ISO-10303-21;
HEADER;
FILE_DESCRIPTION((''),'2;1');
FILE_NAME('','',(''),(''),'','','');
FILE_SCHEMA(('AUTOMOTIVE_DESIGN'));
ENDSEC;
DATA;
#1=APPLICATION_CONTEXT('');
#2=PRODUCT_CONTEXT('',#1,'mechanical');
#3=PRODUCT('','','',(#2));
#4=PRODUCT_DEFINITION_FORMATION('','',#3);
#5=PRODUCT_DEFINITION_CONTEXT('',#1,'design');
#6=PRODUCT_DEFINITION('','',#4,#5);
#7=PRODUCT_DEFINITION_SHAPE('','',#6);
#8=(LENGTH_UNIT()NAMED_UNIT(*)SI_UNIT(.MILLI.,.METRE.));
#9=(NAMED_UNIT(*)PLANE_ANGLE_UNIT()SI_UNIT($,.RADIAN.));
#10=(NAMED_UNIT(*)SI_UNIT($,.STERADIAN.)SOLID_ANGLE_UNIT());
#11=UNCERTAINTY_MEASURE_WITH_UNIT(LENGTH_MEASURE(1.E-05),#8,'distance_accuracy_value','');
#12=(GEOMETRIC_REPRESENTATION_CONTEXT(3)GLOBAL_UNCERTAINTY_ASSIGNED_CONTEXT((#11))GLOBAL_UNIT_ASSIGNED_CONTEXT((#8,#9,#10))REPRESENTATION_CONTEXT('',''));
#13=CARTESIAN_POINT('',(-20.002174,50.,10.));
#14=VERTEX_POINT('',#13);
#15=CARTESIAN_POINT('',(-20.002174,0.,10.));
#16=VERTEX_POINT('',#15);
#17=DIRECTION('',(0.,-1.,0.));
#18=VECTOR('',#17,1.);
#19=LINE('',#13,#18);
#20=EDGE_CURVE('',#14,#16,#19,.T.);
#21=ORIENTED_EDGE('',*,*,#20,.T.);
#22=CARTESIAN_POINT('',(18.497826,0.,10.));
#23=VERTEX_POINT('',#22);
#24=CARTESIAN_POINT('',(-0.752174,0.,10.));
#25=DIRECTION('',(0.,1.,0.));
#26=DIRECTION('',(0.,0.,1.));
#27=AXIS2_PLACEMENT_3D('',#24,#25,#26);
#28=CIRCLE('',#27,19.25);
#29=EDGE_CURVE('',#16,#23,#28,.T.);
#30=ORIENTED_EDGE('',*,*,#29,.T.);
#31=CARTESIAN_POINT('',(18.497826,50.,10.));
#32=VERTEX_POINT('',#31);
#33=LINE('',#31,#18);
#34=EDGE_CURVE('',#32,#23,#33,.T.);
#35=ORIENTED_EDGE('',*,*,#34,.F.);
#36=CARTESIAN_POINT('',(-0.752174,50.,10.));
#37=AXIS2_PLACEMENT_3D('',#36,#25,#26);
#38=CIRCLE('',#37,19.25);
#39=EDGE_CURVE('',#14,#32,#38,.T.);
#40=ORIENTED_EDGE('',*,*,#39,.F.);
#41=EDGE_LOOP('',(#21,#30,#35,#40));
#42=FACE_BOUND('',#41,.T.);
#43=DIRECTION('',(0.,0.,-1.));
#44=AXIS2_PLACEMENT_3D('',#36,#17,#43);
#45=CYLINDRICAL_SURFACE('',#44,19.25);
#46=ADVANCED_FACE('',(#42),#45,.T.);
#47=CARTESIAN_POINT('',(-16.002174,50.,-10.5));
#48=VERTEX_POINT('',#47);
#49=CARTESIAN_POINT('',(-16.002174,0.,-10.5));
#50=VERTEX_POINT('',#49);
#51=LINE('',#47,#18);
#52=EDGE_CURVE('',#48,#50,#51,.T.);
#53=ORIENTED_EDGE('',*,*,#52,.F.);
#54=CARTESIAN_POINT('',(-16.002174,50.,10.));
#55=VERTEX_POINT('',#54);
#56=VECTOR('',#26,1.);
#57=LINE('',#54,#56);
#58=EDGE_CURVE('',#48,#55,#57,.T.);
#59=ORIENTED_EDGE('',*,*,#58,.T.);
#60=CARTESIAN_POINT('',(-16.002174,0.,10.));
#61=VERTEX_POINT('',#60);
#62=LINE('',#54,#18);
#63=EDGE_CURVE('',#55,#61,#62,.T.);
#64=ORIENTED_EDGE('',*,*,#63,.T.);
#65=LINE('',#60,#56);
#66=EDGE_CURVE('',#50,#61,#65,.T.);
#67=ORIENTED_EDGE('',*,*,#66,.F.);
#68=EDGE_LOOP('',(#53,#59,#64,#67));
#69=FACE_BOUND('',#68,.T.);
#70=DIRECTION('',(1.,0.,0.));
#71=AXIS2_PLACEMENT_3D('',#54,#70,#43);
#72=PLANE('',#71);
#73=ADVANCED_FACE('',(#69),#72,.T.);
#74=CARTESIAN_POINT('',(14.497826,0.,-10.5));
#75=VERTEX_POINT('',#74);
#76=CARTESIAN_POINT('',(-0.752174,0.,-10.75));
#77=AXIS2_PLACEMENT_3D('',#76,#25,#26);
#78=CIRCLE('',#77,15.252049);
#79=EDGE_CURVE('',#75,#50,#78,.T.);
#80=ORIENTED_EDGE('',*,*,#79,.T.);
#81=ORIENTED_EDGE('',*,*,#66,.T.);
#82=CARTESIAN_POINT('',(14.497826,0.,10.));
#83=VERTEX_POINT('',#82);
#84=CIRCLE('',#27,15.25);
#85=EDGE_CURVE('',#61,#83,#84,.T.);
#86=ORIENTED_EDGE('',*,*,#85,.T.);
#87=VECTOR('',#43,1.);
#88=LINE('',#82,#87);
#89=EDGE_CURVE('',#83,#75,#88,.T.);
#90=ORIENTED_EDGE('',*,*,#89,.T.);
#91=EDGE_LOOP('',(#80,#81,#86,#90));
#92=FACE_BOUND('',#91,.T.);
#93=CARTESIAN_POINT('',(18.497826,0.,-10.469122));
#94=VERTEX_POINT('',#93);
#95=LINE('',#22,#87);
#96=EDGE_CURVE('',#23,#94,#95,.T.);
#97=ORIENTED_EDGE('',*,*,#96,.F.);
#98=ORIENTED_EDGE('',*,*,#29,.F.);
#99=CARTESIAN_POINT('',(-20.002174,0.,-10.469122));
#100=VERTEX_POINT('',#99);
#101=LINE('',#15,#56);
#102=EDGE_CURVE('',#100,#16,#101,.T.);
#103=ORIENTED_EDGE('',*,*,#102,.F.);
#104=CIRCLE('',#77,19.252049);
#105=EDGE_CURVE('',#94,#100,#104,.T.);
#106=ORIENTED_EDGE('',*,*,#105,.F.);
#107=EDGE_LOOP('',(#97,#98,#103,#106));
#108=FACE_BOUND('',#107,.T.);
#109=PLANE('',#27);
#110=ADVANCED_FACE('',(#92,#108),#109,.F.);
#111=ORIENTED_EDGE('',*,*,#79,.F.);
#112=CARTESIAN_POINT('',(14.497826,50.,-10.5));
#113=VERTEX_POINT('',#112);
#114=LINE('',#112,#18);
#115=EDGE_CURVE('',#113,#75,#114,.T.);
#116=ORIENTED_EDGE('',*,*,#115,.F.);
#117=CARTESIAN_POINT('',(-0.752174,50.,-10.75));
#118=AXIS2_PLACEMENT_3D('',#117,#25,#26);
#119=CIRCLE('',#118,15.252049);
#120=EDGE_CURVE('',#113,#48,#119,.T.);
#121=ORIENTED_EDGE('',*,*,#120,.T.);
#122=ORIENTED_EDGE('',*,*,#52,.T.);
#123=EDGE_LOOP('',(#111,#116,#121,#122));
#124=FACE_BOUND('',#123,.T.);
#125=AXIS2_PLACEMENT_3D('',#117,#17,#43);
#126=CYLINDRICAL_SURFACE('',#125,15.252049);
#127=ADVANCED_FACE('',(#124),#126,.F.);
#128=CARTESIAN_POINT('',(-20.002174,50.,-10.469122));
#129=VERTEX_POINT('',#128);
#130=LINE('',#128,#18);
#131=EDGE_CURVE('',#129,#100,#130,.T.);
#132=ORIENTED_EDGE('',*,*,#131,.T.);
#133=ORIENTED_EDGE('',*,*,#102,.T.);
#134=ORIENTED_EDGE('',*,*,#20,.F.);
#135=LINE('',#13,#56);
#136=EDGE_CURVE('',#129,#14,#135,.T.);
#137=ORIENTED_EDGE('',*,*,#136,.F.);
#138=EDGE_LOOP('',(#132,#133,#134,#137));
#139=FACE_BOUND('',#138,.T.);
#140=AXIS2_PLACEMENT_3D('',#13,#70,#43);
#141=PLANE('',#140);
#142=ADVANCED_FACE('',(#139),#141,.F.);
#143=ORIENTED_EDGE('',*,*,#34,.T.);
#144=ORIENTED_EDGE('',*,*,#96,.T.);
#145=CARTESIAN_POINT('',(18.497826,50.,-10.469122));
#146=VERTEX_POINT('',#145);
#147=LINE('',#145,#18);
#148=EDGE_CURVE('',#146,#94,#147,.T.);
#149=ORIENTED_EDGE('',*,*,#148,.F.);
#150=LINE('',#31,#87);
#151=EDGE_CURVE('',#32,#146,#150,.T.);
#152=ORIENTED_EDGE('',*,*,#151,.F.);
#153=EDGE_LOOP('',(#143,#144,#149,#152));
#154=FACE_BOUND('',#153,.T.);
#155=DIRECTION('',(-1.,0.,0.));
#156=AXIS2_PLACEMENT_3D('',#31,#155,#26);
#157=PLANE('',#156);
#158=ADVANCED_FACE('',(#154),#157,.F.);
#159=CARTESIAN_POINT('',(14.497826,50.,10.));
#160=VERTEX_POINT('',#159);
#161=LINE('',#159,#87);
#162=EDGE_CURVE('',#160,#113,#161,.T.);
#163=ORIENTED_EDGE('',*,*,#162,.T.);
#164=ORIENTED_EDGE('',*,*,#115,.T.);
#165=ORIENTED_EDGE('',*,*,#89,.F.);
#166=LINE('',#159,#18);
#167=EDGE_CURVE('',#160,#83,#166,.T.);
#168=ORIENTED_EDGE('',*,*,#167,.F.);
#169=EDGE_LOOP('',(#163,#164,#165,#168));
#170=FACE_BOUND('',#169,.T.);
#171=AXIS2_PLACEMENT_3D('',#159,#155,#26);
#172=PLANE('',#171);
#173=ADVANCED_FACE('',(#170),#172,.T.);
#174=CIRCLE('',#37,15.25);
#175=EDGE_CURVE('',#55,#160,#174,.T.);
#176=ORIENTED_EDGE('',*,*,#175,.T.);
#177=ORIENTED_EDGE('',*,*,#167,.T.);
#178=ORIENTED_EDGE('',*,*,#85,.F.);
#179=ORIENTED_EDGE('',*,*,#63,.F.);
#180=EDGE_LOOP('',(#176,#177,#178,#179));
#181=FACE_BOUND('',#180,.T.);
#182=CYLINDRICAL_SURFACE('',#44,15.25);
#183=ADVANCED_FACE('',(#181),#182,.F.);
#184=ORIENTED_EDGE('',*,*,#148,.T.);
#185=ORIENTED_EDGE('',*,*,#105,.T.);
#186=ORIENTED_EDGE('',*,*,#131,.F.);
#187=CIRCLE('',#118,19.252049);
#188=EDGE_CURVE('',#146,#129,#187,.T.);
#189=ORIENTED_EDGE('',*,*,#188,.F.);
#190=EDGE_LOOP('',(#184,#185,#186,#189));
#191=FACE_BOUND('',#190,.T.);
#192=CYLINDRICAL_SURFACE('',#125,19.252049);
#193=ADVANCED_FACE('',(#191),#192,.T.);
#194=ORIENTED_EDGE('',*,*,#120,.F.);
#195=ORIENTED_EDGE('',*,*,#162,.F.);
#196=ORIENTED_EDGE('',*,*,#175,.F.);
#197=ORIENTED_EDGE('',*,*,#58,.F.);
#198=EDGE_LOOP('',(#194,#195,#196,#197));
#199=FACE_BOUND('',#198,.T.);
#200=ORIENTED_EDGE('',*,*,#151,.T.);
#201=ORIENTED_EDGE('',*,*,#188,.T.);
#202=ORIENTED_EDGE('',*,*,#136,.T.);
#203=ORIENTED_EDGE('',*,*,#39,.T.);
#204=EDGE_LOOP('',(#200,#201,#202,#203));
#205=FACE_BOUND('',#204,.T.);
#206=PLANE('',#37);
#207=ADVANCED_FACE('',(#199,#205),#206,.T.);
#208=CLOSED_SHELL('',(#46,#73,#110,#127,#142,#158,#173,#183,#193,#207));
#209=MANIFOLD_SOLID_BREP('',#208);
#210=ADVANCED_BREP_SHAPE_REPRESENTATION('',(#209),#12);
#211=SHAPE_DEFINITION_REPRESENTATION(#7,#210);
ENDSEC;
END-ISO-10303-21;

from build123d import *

# Parameters (mm, degrees)
BOSS_EXTRUDE2_DEPTH = 50


with BuildPart() as part:
    # Sketch1 → Boss-Extrude2 (new body)
    with BuildSketch(Plane(origin=(0, 0, 0), x_dir=(1, 0, 0), z_dir=(0, 1, 0))):
        with BuildLine():
            Line((-20.002173913, -10), (-20.002173913, 10.469122195))
            ThreePointArc((-20.002173913, 10.469122195), (-0.752173913, 30.002049043), (18.497826087, 10.469122195))
            Line((18.497826087, 10.469122195), (18.497826087, -10))
            ThreePointArc((18.497826087, -10), (-0.752173913, -29.25), (-20.002173913, -10))
        make_face()
        with BuildLine():
            Line((-16.002173913, -10), (-16.002173913, 10.5))
            ThreePointArc((-16.002173913, 10.5), (-0.752173913, 26.002049043), (14.497826087, 10.5))
            Line((14.497826087, 10.5), (14.497826087, -10))
            ThreePointArc((14.497826087, -10), (-0.752173913, -25.25), (-16.002173913, -10))
        make_face(mode=Mode.SUBTRACT)
    extrude(amount=BOSS_EXTRUDE2_DEPTH)


solid = part.part
